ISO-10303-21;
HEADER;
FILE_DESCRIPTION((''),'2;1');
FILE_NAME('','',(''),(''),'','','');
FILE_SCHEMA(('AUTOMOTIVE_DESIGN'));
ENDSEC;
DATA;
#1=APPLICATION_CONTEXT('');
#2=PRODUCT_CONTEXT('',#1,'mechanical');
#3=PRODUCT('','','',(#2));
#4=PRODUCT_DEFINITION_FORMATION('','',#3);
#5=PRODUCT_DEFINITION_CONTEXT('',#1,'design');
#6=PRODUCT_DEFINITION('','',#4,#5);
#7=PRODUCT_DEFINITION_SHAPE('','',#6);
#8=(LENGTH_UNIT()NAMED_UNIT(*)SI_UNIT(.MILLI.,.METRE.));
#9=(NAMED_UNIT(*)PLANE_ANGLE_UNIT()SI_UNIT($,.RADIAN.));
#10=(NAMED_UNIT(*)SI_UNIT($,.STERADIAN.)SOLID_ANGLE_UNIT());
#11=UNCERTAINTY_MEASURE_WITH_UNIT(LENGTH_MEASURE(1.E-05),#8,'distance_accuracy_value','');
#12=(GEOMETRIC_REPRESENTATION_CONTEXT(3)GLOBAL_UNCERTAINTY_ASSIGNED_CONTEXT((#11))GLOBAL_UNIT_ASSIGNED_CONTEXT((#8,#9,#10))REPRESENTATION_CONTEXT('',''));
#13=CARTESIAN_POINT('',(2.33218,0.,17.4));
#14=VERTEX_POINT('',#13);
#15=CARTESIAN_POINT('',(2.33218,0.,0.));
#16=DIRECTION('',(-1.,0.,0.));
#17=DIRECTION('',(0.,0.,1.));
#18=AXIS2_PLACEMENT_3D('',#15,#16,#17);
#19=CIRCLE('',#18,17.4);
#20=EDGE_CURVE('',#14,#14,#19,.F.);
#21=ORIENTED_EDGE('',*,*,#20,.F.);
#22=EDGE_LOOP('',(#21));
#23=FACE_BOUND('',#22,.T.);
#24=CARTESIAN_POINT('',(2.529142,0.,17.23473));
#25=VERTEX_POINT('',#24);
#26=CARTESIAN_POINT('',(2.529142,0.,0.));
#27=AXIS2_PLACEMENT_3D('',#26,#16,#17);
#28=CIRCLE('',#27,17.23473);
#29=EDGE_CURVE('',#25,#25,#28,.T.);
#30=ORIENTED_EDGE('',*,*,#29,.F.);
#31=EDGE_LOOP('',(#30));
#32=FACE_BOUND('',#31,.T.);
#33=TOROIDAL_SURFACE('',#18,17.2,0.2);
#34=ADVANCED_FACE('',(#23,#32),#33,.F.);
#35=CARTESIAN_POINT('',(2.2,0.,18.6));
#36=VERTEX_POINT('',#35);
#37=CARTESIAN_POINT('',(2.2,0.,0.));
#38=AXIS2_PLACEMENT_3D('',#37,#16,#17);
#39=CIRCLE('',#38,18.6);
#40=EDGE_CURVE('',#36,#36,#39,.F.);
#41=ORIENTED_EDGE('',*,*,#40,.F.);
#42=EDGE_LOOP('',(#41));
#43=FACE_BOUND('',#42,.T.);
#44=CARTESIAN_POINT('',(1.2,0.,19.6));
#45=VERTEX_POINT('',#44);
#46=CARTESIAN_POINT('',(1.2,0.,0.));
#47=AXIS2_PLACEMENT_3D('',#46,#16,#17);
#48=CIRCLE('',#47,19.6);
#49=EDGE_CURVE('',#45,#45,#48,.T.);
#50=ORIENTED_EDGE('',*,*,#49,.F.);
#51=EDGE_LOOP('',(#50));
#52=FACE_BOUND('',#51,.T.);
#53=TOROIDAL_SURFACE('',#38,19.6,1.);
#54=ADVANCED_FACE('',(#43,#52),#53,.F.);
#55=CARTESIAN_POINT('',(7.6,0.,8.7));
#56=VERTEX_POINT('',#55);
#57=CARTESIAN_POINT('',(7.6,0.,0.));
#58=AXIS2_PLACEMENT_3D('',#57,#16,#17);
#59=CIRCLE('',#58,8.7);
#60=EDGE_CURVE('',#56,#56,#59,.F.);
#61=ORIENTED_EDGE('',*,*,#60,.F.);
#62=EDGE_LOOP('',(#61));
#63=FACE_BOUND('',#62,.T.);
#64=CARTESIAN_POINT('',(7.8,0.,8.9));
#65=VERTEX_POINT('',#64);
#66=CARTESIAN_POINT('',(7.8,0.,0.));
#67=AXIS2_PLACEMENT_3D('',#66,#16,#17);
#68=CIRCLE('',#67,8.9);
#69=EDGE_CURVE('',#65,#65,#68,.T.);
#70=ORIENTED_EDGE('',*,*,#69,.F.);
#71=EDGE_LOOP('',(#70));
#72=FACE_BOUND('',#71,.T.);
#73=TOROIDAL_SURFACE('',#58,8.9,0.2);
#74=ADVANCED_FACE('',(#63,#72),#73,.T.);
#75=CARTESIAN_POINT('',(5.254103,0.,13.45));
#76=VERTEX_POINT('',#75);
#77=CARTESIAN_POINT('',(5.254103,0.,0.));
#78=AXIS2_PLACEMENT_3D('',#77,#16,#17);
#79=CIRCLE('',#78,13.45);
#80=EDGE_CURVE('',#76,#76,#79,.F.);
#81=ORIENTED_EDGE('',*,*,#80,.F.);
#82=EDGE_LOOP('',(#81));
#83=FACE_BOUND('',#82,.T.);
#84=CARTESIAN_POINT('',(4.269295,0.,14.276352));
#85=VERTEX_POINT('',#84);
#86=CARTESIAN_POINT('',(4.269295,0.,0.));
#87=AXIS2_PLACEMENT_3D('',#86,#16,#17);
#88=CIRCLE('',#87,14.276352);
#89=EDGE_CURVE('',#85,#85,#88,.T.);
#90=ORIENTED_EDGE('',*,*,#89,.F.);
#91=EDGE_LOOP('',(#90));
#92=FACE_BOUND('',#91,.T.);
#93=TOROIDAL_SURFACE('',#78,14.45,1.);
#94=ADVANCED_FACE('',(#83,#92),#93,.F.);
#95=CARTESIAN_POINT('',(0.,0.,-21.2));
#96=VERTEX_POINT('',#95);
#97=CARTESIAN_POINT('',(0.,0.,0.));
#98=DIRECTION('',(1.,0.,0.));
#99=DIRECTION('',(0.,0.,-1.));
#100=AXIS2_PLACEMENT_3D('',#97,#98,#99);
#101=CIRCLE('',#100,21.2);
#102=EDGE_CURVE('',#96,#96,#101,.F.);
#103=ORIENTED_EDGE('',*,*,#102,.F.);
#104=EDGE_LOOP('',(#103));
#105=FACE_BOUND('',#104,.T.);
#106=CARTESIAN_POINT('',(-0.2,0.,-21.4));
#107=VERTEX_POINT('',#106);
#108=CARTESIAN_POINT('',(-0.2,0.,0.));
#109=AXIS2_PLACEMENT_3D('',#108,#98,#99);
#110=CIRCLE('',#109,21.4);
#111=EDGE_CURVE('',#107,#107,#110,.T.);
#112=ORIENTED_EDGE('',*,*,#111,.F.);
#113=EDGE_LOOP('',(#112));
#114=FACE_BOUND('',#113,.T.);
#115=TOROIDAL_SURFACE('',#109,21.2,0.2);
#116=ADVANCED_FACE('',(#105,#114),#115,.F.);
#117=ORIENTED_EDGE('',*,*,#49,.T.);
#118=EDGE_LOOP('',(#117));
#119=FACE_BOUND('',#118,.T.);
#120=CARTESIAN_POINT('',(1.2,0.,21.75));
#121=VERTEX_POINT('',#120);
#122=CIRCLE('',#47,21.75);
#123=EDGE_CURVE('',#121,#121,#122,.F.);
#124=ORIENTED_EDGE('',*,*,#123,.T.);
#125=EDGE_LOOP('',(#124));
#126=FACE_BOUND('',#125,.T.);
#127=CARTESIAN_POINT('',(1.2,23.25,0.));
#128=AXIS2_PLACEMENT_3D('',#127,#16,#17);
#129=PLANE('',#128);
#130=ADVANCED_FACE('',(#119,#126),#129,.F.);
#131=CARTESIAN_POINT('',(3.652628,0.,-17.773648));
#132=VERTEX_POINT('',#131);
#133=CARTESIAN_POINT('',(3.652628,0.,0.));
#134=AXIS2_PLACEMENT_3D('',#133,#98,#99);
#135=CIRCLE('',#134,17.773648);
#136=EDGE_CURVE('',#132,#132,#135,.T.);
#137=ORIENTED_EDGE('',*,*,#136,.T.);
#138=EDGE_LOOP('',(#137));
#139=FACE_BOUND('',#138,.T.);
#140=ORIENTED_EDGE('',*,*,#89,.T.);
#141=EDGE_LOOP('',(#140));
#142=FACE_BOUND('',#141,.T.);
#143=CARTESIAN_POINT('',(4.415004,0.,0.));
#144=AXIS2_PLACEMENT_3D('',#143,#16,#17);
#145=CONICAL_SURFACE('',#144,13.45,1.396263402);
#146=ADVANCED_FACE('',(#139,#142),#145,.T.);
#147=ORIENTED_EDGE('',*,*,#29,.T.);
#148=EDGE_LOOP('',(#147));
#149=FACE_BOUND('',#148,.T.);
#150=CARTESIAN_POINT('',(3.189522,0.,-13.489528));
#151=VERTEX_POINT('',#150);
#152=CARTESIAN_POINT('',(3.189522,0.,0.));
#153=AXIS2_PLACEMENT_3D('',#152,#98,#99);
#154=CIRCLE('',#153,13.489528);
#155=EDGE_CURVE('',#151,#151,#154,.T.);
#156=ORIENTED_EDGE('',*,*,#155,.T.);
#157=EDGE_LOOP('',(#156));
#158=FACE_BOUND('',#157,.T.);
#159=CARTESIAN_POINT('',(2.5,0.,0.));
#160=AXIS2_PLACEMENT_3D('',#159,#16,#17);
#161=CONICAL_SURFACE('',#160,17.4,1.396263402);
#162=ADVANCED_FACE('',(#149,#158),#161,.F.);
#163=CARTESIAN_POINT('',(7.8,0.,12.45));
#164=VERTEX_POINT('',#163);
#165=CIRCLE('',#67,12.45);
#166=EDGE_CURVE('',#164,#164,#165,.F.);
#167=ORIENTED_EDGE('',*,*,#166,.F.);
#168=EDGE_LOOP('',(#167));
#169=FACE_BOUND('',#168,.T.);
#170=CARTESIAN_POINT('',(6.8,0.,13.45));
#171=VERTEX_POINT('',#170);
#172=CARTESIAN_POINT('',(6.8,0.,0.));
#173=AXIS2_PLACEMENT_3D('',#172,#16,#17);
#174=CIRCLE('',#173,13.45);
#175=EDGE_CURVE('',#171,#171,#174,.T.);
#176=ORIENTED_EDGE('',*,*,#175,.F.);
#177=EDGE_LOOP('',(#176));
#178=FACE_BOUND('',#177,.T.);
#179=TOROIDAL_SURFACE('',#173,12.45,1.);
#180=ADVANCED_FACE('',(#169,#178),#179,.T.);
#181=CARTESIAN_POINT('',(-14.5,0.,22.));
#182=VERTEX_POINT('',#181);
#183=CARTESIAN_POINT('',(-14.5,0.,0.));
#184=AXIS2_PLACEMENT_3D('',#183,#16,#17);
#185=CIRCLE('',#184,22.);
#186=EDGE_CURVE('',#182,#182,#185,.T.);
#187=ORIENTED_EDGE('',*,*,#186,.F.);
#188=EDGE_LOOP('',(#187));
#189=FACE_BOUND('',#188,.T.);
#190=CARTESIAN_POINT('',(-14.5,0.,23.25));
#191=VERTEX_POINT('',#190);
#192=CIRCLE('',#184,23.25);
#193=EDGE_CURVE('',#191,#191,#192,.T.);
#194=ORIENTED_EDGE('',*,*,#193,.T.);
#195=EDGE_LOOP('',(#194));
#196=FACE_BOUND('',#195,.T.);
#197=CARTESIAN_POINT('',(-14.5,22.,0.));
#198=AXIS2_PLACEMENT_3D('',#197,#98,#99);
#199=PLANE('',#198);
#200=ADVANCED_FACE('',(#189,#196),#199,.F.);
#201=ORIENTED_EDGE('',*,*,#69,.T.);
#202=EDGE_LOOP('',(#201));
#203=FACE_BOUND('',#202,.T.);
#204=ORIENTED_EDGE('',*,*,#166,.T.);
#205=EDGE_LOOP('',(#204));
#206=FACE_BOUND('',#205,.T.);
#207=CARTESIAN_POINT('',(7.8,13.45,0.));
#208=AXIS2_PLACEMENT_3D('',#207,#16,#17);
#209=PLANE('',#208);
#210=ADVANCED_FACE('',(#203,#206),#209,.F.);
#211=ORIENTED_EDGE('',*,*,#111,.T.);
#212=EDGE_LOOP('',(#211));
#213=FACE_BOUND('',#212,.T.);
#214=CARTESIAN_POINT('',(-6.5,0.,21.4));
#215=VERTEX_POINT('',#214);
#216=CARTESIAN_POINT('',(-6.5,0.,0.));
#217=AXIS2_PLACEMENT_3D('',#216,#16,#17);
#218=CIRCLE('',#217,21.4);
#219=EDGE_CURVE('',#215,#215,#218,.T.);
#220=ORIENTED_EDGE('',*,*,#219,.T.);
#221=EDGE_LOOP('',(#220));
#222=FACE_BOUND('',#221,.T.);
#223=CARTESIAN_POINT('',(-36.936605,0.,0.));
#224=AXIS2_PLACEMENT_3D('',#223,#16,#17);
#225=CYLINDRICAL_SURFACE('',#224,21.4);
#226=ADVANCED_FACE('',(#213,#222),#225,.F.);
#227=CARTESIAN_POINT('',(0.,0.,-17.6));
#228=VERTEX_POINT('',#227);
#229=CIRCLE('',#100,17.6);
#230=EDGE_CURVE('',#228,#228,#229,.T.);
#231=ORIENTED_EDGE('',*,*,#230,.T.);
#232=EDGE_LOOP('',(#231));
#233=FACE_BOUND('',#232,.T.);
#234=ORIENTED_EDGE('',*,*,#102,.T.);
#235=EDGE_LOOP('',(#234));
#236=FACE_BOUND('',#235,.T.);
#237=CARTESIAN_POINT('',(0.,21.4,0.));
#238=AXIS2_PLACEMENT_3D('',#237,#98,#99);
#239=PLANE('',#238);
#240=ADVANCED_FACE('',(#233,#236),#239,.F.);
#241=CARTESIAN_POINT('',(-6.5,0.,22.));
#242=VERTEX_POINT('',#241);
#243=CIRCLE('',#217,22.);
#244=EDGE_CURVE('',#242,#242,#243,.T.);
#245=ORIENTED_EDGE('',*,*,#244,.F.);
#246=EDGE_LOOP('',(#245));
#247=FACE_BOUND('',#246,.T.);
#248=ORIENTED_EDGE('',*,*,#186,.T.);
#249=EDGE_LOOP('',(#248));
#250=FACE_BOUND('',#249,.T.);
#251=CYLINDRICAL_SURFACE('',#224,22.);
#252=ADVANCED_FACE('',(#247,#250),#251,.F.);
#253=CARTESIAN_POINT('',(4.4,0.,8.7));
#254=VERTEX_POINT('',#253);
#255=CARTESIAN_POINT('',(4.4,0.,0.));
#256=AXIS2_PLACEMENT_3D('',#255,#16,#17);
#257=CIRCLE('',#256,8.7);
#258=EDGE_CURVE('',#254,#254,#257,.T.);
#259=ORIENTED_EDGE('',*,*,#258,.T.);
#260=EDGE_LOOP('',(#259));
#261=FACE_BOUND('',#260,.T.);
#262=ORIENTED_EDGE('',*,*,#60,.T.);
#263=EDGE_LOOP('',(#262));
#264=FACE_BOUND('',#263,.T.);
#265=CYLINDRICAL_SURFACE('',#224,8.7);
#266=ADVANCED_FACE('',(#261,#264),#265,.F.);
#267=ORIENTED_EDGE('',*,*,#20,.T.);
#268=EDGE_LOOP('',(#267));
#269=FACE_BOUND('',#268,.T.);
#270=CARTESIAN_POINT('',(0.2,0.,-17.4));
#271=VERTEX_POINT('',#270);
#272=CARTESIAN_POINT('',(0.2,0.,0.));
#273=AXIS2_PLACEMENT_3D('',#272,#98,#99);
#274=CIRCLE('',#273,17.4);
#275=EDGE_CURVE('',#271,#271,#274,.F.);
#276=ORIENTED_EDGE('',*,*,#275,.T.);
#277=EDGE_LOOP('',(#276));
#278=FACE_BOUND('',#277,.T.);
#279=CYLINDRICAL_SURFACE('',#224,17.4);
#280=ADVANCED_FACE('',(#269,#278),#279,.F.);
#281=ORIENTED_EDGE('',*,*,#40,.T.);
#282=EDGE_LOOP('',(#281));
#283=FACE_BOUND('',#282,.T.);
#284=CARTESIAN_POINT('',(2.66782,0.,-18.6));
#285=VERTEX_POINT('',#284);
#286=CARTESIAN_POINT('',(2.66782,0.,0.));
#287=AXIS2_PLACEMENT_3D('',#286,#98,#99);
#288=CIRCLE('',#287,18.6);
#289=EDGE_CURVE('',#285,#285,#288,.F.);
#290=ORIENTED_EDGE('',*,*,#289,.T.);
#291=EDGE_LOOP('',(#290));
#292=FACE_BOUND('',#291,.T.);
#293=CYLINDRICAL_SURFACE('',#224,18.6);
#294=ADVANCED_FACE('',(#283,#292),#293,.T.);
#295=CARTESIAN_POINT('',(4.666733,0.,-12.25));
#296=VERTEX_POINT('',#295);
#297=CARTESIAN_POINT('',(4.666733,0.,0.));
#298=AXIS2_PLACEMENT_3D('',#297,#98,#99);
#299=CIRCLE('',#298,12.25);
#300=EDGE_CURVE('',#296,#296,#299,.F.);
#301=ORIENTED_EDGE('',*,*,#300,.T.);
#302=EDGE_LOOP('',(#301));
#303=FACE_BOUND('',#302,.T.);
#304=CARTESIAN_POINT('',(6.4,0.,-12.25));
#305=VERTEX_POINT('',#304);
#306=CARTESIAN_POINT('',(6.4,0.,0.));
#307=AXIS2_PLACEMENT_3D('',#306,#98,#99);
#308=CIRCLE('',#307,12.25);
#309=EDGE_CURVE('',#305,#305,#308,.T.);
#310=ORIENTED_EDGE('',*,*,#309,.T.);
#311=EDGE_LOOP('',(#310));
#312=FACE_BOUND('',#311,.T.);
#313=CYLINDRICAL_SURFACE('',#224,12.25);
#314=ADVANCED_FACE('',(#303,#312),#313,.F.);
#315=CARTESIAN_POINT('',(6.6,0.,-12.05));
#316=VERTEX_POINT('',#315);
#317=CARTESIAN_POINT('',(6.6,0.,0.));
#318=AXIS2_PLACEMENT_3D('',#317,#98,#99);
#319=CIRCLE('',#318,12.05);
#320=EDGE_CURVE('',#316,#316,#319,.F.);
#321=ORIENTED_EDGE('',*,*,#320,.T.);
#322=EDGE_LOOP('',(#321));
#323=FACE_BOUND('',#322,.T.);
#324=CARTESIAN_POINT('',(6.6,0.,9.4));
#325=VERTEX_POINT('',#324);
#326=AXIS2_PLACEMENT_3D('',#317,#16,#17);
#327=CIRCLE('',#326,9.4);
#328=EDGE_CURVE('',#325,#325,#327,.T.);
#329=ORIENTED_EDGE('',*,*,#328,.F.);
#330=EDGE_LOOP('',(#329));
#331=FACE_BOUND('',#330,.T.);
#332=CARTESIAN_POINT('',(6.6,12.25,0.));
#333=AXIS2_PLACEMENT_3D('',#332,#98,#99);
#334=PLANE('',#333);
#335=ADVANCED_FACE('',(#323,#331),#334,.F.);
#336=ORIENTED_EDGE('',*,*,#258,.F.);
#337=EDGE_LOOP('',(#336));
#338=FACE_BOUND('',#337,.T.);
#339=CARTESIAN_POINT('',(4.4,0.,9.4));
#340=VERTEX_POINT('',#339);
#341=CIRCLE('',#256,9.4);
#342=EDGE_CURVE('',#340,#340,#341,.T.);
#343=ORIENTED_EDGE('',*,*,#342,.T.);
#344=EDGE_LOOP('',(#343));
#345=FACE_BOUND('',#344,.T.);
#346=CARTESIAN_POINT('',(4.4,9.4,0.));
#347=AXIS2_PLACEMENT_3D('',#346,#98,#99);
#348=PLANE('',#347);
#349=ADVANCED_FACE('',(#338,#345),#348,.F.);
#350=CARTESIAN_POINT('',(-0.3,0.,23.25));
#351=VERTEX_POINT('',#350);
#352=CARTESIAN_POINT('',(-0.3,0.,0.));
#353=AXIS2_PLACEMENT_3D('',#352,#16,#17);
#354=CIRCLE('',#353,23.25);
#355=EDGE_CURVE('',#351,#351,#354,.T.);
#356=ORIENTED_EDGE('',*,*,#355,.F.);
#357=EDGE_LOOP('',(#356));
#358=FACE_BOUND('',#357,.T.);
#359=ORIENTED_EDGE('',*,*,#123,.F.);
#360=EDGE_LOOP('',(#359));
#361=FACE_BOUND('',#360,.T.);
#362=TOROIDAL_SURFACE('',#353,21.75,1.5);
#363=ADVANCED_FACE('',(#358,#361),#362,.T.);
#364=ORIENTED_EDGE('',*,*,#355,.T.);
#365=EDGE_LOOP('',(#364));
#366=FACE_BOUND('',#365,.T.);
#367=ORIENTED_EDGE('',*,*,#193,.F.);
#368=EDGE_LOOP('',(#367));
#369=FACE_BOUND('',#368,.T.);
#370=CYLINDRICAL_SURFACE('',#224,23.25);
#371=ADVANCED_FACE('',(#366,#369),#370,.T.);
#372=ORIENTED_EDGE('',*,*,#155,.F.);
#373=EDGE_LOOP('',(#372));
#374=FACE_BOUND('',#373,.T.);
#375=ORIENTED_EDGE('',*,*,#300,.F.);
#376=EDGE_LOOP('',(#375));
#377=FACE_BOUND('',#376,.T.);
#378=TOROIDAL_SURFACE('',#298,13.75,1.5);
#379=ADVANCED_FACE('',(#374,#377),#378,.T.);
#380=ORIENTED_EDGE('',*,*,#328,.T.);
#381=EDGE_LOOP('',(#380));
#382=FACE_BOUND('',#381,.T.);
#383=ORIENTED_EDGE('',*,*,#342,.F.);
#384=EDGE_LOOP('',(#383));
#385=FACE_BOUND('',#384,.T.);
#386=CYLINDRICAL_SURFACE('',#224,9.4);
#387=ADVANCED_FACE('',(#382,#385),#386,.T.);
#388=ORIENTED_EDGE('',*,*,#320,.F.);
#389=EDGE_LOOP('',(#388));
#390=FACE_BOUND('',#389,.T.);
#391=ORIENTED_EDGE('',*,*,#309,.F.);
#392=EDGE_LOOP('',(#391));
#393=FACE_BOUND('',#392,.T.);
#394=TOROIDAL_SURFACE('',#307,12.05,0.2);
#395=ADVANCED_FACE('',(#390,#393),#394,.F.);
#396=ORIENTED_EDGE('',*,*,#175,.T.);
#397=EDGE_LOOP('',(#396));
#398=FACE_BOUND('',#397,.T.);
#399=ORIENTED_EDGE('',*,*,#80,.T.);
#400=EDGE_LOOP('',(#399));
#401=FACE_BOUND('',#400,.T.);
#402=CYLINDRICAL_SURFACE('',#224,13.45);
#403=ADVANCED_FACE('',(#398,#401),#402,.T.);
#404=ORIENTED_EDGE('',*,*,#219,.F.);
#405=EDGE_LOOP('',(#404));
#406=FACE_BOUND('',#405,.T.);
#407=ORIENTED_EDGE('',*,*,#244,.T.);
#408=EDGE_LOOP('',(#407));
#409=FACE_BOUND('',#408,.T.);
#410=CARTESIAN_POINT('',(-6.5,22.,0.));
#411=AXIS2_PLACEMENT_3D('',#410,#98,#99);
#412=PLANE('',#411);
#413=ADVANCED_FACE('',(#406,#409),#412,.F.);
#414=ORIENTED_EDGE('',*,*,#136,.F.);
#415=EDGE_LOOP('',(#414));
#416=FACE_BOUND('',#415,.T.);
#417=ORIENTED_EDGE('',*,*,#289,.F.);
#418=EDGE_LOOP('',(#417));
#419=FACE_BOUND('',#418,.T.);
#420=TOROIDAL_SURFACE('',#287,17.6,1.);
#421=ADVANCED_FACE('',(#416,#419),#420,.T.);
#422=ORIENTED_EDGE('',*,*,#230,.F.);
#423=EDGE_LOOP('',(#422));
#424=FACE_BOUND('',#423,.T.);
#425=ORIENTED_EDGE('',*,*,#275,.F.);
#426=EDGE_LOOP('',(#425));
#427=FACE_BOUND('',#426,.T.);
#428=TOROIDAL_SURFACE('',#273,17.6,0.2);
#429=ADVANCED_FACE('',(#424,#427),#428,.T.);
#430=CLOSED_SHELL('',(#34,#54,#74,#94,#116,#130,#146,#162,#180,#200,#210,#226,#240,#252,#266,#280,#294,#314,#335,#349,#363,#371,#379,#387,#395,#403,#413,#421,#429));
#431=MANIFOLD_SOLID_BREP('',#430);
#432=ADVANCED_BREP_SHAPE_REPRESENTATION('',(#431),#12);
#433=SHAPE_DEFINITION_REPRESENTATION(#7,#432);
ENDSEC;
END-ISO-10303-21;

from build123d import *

# Parameters (mm, degrees)
FILLET_1_R = 0.2
FILLET_2_R = 1
FILLET_3_R = 1.5


with BuildPart() as part:
    # 草图2 → 旋转1 (revolve)
    with BuildSketch(Plane.XY, mode=Mode.PRIVATE) as revolve_1_sk:
        Polygon((-14.5, 22), (-6.5, 22), (-6.5, 21.4), (0, 21.4), (0, 17.4), (2.5, 17.4), (3.408083951, 12.25), (6.6, 12.25), (6.6, 9.4), (4.4, 9.4), (4.4, 8.7), (7.8, 8.7), (7.8, 13.45), (4.415003508, 13.45), (3.506919557, 18.6), (1.2, 18.6), (1.2, 23.25), (-14.5, 23.25), align=None)
    revolve(revolve_1_sk.sketch.rotate(Axis((-36.936605317, 0, 0), (1, 0, 0)), 90), axis=Axis((-36.936605317, 0, 0), (1, 0, 0)))

    # 圆角1
    fillet_1_edges = [part.edges().sort_by_distance(p)[0] for p in [
        (0, 0, -21.4),
        (0, 0, -17.4),
        (2.5, 0, -17.4),
        (6.6, 0, -12.25),
        (7.8, 0, -8.7),
    ]]
    fillet(fillet_1_edges, radius=FILLET_1_R)

    # 圆角2
    fillet_2_edges = [part.edges().sort_by_distance(p)[0] for p in [
        (7.8, 0, -13.45),
        (4.415003508, 0, -13.45),
        (3.506919557, 0, -18.6),
        (1.2, 0, -18.6),
    ]]
    fillet(fillet_2_edges, radius=FILLET_2_R)

    # 圆角3
    fillet_3_edges = [part.edges().sort_by_distance(p)[0] for p in [
        (3.408083951, 0, -12.25),
        (1.2, 0, -23.25),
    ]]
    fillet(fillet_3_edges, radius=FILLET_3_R)


solid = part.part
